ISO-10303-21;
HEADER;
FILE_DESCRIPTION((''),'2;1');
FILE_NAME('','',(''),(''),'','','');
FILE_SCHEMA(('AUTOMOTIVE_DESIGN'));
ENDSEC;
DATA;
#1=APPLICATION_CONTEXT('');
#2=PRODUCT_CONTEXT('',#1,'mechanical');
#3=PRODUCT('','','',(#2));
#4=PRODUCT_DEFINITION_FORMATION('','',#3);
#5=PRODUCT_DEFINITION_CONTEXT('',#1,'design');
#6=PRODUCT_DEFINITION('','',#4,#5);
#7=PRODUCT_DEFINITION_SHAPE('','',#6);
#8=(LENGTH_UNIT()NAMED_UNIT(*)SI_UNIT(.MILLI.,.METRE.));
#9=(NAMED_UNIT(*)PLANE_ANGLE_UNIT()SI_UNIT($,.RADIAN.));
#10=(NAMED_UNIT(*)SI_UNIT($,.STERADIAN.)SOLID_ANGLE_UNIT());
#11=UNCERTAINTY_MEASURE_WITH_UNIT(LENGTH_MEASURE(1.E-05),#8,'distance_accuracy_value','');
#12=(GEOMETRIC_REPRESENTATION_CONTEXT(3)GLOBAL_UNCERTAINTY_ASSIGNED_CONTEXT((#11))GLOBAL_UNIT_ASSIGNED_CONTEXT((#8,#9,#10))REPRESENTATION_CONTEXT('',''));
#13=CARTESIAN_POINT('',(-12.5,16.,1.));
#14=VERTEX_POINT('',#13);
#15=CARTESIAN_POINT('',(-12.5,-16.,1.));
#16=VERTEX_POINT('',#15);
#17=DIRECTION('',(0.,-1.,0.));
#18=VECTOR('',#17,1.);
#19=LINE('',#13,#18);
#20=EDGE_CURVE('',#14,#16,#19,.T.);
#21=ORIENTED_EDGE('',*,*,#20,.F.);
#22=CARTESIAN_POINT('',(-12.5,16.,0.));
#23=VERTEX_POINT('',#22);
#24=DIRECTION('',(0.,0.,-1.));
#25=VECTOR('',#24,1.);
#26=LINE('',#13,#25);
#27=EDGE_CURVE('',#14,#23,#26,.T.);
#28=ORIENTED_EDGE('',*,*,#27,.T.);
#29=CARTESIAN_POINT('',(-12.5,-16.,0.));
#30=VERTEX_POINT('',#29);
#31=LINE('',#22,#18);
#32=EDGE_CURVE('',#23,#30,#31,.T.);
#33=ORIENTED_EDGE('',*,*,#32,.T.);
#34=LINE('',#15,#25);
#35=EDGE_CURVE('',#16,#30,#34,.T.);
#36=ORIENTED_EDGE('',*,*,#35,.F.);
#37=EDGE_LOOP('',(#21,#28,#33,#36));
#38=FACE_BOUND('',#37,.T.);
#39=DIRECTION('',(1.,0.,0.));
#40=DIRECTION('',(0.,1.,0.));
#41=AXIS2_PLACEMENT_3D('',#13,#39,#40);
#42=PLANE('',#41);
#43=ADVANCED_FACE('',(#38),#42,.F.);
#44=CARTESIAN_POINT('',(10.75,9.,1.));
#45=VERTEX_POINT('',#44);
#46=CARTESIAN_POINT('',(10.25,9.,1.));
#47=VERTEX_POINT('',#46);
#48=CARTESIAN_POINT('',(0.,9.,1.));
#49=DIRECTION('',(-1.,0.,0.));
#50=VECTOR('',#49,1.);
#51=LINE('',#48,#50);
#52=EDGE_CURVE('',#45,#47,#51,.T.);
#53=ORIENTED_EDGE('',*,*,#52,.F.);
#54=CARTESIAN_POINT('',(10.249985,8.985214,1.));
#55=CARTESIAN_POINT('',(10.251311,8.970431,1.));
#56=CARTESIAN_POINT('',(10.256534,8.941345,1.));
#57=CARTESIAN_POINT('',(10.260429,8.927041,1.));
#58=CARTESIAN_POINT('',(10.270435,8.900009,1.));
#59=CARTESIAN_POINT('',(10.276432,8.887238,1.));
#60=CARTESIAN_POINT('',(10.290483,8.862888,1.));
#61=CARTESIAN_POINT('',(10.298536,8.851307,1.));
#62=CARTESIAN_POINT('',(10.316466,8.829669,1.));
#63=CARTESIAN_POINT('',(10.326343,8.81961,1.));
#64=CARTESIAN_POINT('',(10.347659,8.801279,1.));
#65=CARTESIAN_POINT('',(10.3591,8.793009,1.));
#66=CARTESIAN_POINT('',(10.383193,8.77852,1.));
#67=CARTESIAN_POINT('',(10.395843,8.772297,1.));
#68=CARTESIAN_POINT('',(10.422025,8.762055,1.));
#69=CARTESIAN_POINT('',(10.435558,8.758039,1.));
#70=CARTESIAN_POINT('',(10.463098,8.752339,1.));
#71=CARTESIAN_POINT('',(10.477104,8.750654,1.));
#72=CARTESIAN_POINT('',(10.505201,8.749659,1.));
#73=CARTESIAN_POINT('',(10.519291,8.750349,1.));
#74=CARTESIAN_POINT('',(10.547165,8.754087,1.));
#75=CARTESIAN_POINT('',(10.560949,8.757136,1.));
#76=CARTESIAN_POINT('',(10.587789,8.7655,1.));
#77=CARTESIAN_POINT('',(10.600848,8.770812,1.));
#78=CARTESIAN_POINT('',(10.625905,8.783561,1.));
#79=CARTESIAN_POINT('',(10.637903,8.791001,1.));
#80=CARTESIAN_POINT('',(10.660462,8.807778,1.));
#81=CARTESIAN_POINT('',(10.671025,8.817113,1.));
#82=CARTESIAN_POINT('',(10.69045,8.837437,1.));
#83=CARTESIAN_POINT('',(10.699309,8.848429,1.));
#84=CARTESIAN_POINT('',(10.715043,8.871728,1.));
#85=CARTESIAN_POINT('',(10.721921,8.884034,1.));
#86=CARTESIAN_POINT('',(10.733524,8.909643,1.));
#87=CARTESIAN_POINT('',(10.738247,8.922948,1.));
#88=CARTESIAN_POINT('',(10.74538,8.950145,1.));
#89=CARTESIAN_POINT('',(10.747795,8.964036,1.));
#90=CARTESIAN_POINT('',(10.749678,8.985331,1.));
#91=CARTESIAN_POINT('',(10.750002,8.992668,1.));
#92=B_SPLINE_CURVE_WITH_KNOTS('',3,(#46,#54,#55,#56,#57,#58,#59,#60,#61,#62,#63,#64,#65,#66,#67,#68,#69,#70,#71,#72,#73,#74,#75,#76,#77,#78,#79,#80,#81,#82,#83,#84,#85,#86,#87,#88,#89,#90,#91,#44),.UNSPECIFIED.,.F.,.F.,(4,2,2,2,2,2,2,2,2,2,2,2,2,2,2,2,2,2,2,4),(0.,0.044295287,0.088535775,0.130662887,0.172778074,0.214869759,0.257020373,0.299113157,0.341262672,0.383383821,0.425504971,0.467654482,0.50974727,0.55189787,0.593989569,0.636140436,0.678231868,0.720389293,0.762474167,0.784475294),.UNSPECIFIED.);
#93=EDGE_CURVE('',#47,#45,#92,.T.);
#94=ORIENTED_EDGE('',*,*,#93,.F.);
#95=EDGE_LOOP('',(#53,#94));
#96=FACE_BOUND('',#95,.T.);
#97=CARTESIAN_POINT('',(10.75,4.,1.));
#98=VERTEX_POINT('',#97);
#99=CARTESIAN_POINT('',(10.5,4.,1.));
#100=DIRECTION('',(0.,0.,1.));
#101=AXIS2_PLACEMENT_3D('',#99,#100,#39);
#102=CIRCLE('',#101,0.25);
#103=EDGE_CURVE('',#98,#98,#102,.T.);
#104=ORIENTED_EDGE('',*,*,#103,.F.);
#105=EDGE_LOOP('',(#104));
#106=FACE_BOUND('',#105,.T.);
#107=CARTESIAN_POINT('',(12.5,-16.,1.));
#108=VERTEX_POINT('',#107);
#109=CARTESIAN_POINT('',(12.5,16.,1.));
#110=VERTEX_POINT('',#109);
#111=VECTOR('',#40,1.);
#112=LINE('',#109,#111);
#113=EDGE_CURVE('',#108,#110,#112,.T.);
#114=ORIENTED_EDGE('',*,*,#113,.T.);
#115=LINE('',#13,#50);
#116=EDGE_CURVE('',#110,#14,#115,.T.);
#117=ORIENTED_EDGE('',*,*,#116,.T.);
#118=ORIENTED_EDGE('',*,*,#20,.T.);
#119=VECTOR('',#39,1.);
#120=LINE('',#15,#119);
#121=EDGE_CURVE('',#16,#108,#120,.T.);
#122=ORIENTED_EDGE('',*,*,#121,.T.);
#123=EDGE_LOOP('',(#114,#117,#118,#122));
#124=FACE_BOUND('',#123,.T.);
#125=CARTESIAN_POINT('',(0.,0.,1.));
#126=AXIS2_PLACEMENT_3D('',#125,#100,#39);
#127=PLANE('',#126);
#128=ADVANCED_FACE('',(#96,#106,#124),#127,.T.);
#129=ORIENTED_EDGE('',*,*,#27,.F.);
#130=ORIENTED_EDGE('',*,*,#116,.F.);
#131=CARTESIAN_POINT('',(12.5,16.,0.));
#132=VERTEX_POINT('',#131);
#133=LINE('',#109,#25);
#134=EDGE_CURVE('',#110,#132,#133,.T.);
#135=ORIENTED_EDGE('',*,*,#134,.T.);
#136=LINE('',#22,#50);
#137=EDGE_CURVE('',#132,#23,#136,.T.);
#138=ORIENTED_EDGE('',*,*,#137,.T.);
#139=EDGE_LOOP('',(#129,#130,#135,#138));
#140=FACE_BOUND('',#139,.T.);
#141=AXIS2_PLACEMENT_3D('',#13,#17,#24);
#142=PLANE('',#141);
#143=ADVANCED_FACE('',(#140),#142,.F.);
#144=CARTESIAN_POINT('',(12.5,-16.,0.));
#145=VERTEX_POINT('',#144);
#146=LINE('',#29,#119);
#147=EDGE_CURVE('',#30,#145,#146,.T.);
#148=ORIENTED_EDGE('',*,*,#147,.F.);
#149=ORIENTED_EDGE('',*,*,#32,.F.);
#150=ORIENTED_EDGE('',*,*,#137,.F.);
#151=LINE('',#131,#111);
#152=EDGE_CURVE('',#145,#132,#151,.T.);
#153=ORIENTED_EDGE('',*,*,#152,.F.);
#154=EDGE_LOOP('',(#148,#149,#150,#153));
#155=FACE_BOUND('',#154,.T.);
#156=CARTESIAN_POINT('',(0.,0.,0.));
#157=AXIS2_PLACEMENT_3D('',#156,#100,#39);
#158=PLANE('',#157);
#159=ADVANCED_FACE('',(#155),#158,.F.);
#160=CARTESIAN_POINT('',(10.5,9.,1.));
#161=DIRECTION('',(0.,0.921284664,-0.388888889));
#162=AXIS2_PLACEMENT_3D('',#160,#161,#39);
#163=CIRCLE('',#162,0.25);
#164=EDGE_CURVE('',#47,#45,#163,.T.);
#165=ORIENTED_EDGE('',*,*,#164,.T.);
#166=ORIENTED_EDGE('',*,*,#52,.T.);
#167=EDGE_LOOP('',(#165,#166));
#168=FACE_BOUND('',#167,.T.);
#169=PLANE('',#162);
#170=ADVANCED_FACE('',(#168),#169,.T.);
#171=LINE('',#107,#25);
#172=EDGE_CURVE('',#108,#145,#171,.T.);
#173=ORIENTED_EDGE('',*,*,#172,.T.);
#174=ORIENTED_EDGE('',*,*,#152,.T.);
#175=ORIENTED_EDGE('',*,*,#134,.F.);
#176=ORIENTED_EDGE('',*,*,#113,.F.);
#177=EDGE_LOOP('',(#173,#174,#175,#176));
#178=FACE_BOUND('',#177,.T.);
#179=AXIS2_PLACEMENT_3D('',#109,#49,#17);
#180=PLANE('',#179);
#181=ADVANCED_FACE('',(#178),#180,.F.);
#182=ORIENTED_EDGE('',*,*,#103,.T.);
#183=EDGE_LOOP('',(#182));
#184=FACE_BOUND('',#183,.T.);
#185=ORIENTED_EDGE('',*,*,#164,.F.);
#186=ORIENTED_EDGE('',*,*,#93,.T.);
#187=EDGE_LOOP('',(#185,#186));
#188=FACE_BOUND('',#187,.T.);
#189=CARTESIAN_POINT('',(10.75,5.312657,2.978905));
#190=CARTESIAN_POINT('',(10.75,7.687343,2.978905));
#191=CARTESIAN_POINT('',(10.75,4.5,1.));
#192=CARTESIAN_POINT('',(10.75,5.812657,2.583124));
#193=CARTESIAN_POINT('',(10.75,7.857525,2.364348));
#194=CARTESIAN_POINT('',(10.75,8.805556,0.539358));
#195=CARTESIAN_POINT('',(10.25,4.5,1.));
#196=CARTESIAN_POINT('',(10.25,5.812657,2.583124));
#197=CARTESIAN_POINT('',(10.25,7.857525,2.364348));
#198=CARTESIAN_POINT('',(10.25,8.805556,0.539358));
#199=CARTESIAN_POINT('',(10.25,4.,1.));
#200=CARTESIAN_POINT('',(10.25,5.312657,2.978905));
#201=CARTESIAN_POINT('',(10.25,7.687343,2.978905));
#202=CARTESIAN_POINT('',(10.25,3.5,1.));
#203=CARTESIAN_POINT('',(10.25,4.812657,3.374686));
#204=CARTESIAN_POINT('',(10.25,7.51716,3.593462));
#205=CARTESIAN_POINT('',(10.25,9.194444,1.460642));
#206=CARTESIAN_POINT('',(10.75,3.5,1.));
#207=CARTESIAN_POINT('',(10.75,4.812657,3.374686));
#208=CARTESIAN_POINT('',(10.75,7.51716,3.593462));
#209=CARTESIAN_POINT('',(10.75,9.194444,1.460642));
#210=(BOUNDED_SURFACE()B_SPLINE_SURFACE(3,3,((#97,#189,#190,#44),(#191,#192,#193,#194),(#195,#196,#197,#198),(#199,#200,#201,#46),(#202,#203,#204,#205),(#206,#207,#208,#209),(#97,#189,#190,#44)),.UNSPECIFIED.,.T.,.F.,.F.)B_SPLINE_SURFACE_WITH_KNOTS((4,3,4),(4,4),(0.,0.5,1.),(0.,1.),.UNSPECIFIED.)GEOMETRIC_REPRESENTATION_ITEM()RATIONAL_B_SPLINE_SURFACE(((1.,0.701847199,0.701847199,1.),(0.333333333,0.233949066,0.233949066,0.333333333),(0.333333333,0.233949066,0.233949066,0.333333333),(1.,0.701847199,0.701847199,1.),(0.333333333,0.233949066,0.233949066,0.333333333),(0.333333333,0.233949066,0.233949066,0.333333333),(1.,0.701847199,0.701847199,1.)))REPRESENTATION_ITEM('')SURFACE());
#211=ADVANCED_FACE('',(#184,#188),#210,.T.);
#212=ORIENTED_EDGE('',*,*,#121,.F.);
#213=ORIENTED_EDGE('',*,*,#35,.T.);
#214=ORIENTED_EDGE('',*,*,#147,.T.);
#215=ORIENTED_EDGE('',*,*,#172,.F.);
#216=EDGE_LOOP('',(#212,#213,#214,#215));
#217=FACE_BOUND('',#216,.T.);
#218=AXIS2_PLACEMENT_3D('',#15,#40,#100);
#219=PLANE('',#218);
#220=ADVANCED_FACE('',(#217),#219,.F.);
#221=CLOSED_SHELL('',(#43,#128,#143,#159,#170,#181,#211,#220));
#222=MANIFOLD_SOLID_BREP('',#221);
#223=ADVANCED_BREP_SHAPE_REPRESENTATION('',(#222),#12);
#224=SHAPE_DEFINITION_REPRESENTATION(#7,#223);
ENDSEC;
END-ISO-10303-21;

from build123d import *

# Parameters (mm, degrees)
SKETCH_1_W      = 25
SKETCH_1_H      = 32
EXTRUDE_1_DEPTH = 1
SKETCH_3_R      = 0.25


with BuildPart() as part:
    # 草圖1 → 填料-伸長1 (new body)
    with BuildSketch(Plane.XY):
        Rectangle(SKETCH_1_W, SKETCH_1_H)
    extrude(amount=EXTRUDE_1_DEPTH)

    # 掃出1: sweep along a path in 草圖4
    with BuildLine(Plane(origin=(10.5, 0, 0), x_dir=(0, 0, -1), z_dir=(1, 0, 0))) as sweep_1_path:
        ThreePointArc((-1, 4), (-2.341687605, 6.5), (-1, 9))
    # 草圖3 → 掃出1 (sweep)
    with BuildSketch(Plane.XY.offset(1)):
        with Locations((10.5, 4)):
            Circle(SKETCH_3_R)
    sweep(path=sweep_1_path.line)


solid = part.part
